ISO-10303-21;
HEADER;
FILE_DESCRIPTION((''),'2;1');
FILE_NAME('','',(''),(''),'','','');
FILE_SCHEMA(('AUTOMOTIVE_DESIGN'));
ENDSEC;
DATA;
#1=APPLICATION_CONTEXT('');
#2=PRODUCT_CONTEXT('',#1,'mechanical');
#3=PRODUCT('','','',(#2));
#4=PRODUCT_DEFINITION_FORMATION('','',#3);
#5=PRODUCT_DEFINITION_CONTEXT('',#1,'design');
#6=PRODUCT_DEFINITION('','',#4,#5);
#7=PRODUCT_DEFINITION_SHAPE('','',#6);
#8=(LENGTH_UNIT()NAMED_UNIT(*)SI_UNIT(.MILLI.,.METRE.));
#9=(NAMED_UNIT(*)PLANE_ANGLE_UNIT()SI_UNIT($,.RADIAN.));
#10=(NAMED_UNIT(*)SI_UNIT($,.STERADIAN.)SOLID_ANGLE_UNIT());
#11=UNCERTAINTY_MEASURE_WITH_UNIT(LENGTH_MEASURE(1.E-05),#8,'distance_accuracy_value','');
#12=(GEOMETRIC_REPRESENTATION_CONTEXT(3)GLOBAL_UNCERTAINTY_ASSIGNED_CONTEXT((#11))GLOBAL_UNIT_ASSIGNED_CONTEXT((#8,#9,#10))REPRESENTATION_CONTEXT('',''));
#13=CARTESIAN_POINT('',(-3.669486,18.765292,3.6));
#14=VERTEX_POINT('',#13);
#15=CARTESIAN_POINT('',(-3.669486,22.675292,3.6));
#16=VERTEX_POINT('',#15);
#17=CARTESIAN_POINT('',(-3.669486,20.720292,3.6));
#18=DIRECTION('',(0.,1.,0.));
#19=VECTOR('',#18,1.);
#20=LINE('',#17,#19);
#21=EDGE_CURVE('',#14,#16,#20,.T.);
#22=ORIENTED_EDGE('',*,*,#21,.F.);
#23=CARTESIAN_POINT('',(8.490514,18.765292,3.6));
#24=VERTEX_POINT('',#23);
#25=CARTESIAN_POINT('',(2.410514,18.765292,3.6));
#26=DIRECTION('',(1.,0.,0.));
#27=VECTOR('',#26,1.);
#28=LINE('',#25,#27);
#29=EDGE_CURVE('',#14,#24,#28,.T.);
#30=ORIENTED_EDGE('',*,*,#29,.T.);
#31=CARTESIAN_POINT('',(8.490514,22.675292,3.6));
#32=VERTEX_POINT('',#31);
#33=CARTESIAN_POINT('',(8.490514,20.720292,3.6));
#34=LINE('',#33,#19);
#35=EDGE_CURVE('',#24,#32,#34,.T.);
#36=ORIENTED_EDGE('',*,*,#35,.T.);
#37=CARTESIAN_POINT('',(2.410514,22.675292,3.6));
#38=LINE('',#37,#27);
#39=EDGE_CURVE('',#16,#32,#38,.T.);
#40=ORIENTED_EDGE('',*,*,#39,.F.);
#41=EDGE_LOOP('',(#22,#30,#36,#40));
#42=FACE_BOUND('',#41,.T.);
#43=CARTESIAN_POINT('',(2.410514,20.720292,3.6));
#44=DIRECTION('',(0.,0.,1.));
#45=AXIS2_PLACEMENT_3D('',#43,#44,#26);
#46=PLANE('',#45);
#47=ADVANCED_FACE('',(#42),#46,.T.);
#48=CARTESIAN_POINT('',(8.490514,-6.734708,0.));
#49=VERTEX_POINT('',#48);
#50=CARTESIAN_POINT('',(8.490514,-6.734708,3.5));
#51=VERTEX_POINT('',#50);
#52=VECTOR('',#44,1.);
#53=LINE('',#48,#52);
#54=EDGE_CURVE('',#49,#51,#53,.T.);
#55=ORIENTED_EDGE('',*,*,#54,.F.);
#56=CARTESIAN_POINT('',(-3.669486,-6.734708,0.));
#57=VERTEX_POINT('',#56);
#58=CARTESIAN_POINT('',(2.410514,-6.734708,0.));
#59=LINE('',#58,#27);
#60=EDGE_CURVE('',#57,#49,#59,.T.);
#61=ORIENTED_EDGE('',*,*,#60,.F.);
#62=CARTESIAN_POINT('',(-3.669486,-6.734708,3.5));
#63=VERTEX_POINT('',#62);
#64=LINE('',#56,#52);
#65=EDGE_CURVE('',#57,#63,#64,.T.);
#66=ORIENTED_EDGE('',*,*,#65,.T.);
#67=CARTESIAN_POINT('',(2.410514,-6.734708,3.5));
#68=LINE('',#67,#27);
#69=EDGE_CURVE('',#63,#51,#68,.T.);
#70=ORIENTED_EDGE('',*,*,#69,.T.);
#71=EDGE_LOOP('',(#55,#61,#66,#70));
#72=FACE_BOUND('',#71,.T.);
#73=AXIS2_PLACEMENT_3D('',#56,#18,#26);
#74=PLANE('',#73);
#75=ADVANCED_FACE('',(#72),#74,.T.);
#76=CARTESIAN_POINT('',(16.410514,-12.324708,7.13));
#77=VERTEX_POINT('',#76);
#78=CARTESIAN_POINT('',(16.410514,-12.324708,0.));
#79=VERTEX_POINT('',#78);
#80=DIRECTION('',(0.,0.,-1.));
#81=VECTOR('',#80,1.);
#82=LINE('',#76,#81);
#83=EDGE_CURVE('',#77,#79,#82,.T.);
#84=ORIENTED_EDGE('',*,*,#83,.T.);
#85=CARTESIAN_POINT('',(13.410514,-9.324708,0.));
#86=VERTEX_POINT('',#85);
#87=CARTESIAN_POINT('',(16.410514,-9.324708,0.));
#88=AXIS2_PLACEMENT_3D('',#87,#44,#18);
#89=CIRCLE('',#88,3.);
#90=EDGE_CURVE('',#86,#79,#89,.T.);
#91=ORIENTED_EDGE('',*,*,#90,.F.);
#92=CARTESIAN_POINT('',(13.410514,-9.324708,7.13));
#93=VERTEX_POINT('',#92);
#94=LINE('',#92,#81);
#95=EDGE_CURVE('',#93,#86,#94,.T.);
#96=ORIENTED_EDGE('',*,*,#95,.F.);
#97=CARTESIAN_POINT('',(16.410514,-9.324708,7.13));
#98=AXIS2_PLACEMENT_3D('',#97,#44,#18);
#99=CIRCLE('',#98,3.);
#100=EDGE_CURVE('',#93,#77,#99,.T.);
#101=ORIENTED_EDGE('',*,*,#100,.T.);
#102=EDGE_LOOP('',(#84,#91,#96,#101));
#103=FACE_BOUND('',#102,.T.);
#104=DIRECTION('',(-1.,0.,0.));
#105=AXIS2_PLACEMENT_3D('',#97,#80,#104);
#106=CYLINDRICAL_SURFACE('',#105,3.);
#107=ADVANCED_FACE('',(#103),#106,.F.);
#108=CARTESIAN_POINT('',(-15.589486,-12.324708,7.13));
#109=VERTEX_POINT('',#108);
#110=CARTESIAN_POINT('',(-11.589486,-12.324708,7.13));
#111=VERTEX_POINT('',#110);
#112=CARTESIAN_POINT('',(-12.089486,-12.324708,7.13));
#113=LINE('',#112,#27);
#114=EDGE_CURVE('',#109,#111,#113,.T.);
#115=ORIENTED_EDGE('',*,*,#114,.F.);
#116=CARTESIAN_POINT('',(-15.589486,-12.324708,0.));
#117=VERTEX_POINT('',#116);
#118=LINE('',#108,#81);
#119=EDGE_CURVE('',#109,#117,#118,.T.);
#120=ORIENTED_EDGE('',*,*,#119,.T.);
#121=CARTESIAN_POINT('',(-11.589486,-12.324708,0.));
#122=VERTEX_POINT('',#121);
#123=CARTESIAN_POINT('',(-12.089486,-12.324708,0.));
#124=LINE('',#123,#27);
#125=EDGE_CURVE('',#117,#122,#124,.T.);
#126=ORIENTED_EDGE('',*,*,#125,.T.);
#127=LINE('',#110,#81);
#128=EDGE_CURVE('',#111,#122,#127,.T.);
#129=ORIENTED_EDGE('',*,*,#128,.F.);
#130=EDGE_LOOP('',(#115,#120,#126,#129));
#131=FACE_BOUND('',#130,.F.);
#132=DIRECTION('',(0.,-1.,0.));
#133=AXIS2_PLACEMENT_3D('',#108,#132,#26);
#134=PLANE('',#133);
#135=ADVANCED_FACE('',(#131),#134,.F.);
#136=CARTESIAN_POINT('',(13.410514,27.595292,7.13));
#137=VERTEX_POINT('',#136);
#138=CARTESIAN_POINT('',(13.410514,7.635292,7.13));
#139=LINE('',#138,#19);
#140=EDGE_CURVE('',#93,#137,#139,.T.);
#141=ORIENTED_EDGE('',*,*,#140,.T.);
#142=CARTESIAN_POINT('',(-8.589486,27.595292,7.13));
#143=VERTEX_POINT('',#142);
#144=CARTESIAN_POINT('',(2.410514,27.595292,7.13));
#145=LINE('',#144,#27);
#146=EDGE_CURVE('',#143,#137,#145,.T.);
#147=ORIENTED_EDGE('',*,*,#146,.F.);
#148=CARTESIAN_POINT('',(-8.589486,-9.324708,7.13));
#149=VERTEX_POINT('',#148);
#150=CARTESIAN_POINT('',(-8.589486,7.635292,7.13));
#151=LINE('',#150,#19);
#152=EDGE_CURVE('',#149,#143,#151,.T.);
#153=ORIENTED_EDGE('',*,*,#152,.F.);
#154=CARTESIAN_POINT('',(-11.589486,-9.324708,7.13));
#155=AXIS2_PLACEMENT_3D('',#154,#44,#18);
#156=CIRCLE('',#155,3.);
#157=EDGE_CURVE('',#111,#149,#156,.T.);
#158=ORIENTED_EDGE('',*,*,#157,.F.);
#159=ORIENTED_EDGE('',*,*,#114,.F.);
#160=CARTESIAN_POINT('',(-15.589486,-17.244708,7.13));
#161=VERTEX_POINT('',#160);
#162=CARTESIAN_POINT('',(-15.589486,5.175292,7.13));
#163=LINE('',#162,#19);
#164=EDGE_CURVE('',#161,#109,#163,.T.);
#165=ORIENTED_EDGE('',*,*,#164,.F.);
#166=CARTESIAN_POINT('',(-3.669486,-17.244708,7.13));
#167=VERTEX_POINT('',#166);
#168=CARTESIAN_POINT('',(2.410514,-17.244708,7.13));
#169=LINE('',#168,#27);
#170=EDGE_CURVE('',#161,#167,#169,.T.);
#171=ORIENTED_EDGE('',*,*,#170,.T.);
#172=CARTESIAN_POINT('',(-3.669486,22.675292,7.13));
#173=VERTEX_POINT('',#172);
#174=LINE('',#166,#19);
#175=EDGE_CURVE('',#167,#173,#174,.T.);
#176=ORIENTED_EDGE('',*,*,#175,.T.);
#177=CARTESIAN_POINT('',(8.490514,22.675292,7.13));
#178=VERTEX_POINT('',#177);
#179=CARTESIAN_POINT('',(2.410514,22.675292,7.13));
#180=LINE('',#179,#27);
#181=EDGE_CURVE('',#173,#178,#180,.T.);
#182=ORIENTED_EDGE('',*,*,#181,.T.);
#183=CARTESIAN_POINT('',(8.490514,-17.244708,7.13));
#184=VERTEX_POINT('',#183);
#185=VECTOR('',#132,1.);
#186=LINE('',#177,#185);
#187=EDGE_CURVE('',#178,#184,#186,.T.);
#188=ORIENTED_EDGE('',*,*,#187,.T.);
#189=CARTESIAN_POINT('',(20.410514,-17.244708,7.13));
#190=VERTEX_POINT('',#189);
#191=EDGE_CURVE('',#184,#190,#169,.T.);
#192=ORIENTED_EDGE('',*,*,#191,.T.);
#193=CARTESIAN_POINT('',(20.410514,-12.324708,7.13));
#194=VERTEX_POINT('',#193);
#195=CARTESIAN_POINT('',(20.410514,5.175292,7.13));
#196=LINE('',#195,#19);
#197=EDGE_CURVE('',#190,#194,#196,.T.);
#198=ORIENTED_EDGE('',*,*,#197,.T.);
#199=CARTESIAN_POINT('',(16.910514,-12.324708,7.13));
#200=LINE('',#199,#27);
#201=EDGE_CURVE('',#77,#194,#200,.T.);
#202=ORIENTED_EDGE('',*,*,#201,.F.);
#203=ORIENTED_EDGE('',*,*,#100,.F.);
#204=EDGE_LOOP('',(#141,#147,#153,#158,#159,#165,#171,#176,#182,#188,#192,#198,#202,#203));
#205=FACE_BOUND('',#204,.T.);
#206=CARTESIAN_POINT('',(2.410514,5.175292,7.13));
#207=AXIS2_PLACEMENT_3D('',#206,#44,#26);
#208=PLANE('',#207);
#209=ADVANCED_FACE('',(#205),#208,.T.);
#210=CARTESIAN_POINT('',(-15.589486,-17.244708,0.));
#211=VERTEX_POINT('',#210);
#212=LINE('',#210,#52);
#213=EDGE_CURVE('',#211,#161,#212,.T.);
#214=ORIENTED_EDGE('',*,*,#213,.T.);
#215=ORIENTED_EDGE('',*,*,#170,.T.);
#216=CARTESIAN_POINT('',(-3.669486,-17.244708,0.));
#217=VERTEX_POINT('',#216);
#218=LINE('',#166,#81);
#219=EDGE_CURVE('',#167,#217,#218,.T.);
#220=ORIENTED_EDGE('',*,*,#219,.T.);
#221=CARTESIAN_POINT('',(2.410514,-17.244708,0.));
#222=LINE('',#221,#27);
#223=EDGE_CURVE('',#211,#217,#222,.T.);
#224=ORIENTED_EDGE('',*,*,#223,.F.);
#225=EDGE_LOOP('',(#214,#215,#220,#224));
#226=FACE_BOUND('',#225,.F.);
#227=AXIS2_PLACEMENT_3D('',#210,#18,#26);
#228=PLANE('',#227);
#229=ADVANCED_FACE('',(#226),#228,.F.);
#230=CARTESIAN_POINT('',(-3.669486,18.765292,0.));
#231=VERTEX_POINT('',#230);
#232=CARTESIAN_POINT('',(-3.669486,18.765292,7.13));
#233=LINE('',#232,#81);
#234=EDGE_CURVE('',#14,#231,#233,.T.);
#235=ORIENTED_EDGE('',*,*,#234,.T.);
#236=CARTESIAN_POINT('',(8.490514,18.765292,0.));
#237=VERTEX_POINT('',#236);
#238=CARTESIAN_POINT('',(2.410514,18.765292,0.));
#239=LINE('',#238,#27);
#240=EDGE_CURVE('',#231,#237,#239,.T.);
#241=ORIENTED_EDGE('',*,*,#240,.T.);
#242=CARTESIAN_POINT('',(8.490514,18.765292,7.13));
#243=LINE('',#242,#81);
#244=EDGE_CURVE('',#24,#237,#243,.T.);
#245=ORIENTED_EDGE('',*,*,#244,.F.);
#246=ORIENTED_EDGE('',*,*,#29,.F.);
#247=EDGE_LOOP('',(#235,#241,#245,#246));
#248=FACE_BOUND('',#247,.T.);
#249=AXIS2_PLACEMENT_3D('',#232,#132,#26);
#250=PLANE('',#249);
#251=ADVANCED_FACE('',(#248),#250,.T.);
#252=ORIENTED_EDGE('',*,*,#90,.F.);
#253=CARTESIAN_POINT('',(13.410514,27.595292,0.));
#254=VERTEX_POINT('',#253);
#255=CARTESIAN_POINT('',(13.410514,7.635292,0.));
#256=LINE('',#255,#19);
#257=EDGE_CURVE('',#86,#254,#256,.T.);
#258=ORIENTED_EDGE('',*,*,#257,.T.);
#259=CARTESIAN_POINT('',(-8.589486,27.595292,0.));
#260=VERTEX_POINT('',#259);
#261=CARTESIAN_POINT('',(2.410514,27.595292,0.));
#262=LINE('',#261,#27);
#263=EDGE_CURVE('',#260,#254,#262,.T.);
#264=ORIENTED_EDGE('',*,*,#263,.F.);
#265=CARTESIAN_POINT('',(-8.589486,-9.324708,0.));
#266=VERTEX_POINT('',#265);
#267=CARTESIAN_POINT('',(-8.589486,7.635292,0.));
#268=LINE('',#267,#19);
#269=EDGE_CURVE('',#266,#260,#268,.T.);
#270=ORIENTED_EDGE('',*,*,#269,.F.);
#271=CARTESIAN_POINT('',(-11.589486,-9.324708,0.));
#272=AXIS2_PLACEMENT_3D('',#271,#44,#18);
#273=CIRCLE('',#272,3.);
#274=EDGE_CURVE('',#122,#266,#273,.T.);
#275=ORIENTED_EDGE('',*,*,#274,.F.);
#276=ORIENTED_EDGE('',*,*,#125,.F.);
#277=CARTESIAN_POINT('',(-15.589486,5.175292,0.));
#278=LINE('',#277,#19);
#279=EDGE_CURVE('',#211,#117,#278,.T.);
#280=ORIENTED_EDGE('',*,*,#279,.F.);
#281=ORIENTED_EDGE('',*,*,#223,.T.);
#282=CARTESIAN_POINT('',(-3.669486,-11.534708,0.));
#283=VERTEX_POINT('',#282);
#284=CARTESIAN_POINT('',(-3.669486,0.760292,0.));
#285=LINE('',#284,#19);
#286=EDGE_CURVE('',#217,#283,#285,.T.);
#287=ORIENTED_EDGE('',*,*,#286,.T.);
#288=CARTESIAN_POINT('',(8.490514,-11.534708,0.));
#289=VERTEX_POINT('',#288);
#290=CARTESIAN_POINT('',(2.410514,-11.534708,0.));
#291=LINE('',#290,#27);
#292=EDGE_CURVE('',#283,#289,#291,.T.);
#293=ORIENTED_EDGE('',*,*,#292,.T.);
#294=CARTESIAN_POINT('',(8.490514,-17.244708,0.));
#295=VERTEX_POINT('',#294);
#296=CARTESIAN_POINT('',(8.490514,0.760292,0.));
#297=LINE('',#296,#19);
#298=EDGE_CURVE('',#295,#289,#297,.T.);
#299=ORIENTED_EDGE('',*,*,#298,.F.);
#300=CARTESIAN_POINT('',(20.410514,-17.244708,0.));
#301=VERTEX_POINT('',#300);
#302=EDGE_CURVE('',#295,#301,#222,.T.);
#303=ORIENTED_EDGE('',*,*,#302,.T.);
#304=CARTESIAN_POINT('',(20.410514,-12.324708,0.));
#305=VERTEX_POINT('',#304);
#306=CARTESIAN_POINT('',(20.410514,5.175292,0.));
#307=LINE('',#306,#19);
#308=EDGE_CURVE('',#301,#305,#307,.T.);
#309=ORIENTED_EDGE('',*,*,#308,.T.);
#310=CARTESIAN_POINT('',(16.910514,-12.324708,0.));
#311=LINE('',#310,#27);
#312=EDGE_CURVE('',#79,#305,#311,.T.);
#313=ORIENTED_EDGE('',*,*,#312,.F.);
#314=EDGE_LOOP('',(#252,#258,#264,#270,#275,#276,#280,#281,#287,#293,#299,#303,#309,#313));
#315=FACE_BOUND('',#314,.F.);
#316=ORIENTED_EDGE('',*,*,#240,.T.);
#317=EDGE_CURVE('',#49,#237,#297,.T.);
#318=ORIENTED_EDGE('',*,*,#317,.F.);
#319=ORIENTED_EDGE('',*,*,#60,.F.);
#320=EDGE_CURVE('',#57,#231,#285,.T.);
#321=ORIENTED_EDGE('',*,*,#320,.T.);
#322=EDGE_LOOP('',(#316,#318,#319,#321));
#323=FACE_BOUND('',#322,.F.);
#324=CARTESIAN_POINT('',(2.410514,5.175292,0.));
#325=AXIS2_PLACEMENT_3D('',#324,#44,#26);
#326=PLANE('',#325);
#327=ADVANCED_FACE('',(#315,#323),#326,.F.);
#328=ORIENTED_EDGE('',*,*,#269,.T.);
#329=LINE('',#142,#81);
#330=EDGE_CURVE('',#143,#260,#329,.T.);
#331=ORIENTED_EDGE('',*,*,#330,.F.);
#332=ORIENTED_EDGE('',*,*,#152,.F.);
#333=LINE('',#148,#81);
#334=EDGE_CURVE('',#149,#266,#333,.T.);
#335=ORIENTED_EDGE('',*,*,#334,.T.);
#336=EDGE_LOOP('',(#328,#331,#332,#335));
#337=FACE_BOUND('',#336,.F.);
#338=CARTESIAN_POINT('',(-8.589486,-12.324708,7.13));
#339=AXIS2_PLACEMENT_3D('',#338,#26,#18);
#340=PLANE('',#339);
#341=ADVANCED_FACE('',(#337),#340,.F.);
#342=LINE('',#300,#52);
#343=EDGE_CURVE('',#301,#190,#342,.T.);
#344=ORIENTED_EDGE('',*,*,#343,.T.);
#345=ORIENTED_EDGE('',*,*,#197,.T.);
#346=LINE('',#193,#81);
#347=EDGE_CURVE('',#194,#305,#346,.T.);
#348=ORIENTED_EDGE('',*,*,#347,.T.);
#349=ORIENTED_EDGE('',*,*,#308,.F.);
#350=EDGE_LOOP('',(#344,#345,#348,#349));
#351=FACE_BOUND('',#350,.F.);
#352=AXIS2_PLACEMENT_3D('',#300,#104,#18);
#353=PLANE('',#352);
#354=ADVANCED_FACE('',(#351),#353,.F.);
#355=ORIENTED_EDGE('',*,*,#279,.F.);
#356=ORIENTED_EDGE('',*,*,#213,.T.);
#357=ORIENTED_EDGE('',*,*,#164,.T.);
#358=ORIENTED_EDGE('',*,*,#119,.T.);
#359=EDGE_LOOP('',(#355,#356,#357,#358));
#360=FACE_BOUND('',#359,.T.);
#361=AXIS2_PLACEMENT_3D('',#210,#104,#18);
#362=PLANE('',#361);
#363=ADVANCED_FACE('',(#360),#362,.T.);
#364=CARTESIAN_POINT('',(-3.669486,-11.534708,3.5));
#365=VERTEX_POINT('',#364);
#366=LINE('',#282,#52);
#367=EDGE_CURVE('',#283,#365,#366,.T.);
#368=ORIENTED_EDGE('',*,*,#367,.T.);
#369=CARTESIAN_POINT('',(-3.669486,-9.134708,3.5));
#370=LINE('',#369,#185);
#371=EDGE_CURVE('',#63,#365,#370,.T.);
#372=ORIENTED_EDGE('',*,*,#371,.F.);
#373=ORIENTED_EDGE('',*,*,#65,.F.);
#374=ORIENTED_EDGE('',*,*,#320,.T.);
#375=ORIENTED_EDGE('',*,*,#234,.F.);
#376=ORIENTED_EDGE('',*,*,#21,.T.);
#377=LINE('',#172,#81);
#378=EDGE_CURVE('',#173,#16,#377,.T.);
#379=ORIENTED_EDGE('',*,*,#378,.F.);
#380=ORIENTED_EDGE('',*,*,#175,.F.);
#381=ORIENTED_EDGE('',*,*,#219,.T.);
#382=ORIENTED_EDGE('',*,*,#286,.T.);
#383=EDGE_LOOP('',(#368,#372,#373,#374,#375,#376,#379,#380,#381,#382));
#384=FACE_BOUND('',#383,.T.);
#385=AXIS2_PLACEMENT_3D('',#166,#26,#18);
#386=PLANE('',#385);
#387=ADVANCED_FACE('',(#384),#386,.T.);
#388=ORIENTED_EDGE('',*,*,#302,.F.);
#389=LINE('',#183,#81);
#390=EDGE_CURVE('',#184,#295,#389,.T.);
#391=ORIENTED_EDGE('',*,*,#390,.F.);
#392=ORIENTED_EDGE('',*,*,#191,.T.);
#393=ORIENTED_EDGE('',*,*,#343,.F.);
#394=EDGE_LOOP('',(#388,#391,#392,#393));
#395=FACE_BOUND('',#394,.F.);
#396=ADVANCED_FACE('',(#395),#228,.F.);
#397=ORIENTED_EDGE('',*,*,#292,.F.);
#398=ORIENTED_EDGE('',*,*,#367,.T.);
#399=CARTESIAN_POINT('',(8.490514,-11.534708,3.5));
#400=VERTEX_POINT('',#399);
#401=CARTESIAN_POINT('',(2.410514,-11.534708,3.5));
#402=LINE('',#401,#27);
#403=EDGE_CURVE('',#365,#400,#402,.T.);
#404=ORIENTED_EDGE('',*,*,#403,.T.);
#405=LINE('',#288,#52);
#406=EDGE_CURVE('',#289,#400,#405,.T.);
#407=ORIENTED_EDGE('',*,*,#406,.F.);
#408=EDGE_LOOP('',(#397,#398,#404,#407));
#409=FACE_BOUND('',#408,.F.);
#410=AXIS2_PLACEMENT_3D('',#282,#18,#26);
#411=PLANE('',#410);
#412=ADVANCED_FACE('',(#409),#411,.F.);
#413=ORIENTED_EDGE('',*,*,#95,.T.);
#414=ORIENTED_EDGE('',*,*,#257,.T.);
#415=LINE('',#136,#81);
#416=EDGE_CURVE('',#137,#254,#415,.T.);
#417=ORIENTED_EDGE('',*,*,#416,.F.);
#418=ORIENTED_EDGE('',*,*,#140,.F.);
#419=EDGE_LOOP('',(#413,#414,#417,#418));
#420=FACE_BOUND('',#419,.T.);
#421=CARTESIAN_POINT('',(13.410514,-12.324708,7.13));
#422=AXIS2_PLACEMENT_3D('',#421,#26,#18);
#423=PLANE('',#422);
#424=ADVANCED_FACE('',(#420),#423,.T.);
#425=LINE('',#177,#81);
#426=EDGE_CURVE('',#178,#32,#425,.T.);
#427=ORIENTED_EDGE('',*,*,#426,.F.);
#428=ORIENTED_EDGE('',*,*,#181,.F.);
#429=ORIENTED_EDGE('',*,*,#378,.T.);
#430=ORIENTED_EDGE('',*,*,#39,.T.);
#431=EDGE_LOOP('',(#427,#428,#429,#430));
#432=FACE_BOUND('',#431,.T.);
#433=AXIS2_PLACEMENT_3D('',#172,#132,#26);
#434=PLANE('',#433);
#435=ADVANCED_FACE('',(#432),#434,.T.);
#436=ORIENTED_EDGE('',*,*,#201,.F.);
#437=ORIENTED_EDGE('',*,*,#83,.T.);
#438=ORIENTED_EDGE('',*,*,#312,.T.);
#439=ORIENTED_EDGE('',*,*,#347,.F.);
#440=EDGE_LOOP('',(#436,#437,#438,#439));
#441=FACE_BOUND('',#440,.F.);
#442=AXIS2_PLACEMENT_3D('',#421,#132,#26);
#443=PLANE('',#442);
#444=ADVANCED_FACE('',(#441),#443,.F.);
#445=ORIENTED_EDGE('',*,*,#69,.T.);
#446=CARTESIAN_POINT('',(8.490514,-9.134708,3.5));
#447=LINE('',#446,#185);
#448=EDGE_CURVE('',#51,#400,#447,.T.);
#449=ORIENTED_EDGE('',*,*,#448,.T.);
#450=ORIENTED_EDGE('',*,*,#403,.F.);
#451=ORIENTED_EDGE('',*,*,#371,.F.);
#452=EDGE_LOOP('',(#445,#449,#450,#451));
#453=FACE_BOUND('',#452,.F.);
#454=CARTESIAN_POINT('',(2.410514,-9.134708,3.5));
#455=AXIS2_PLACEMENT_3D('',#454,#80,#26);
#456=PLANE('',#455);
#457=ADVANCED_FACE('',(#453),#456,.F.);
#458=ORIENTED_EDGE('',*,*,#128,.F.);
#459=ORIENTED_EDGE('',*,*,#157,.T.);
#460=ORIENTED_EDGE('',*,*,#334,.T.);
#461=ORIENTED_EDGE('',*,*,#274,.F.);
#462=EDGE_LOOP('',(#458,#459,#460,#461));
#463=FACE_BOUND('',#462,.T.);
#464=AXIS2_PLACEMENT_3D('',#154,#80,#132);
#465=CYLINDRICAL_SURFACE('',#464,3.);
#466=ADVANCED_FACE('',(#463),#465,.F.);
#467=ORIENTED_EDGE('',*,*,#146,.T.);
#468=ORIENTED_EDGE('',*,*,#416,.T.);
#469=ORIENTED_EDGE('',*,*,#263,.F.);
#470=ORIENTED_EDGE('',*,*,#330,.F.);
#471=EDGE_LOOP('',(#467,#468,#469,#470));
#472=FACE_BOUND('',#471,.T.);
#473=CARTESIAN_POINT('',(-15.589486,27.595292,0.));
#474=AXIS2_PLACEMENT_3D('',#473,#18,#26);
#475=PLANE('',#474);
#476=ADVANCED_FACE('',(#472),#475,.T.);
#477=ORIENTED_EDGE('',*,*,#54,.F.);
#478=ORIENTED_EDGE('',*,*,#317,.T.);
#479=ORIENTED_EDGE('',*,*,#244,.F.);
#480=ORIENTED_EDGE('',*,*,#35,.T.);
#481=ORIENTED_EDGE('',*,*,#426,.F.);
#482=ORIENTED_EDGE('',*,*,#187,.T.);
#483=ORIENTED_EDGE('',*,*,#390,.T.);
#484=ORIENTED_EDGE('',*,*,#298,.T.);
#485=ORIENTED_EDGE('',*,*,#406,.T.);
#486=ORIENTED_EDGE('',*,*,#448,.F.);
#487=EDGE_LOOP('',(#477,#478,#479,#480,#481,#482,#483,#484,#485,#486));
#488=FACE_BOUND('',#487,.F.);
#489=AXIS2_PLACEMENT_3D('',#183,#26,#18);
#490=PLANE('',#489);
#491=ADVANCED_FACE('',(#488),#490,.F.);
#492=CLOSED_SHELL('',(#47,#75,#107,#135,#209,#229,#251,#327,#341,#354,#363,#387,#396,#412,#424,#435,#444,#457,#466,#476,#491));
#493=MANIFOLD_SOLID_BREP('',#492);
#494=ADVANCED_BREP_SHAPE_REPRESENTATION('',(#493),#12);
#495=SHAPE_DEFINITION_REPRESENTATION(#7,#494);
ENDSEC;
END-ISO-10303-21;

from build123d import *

# Parameters (mm, degrees)
F0_W     = 36
F0_H     = 44.84
F1_DEPTH = 7.13
F2_W     = 7
F2_H     = 39.92
F3_DEPTH = 7.13
F4_W     = 12.16
F4_H     = 36.01
F5_DEPTH = 7.13
F6_W     = 12.16
F6_H     = 3.91
F7_DEPTH = 3.53
F8_W     = 12.16
F8_H     = 4.8
F9_DEPTH = 3.5
F10_R    = 3


with BuildPart() as f1:
    # F0 (on Top) → F1 (new body)
    with BuildSketch(Plane.XY):
        with Locations((2.410514, 5.175292)):
            Rectangle(F0_W, F0_H)
    extrude(amount=F1_DEPTH)

    # F2 (on face) → F3 (cut)
    with BuildSketch(Plane.XY.offset(7.13)):
        with Locations((-12.089486, 7.635292)):
            Rectangle(F2_W, F2_H)
        with Locations((16.910514, 7.635292)):
            Rectangle(F2_W, F2_H)
    extrude(amount=-F3_DEPTH, mode=Mode.SUBTRACT)

    # F4 (on face) → F5 (cut)
    with BuildSketch(Plane.XY.offset(7.13)):
        with Locations((2.410514, 0.760292)):
            Rectangle(F4_W, F4_H)
    extrude(amount=-F5_DEPTH, mode=Mode.SUBTRACT)

    # F6 (on face) → F7 (cut)
    with BuildSketch(Plane.XY.offset(7.13)):
        with Locations((2.410514, 20.720292)):
            Rectangle(F6_W, F6_H)
    extrude(amount=-F7_DEPTH, mode=Mode.SUBTRACT)

    # F8 (on face) → F9 (join)
    with BuildSketch(Plane(origin=(0, 0, 0), x_dir=(1, 0, 0), z_dir=(0, 0, -1))):
        with Locations((2.410514, 9.134708)):
            Rectangle(F8_W, F8_H)
    extrude(amount=-F9_DEPTH)

    # F10
    f10_edges = [f1.edges().sort_by_distance(p)[0] for p in [
        (13.410514, -12.324708, 3.565),
        (-8.589486, -12.324708, 3.565),
    ]]
    fillet(f10_edges, radius=F10_R)


solid = f1.part
